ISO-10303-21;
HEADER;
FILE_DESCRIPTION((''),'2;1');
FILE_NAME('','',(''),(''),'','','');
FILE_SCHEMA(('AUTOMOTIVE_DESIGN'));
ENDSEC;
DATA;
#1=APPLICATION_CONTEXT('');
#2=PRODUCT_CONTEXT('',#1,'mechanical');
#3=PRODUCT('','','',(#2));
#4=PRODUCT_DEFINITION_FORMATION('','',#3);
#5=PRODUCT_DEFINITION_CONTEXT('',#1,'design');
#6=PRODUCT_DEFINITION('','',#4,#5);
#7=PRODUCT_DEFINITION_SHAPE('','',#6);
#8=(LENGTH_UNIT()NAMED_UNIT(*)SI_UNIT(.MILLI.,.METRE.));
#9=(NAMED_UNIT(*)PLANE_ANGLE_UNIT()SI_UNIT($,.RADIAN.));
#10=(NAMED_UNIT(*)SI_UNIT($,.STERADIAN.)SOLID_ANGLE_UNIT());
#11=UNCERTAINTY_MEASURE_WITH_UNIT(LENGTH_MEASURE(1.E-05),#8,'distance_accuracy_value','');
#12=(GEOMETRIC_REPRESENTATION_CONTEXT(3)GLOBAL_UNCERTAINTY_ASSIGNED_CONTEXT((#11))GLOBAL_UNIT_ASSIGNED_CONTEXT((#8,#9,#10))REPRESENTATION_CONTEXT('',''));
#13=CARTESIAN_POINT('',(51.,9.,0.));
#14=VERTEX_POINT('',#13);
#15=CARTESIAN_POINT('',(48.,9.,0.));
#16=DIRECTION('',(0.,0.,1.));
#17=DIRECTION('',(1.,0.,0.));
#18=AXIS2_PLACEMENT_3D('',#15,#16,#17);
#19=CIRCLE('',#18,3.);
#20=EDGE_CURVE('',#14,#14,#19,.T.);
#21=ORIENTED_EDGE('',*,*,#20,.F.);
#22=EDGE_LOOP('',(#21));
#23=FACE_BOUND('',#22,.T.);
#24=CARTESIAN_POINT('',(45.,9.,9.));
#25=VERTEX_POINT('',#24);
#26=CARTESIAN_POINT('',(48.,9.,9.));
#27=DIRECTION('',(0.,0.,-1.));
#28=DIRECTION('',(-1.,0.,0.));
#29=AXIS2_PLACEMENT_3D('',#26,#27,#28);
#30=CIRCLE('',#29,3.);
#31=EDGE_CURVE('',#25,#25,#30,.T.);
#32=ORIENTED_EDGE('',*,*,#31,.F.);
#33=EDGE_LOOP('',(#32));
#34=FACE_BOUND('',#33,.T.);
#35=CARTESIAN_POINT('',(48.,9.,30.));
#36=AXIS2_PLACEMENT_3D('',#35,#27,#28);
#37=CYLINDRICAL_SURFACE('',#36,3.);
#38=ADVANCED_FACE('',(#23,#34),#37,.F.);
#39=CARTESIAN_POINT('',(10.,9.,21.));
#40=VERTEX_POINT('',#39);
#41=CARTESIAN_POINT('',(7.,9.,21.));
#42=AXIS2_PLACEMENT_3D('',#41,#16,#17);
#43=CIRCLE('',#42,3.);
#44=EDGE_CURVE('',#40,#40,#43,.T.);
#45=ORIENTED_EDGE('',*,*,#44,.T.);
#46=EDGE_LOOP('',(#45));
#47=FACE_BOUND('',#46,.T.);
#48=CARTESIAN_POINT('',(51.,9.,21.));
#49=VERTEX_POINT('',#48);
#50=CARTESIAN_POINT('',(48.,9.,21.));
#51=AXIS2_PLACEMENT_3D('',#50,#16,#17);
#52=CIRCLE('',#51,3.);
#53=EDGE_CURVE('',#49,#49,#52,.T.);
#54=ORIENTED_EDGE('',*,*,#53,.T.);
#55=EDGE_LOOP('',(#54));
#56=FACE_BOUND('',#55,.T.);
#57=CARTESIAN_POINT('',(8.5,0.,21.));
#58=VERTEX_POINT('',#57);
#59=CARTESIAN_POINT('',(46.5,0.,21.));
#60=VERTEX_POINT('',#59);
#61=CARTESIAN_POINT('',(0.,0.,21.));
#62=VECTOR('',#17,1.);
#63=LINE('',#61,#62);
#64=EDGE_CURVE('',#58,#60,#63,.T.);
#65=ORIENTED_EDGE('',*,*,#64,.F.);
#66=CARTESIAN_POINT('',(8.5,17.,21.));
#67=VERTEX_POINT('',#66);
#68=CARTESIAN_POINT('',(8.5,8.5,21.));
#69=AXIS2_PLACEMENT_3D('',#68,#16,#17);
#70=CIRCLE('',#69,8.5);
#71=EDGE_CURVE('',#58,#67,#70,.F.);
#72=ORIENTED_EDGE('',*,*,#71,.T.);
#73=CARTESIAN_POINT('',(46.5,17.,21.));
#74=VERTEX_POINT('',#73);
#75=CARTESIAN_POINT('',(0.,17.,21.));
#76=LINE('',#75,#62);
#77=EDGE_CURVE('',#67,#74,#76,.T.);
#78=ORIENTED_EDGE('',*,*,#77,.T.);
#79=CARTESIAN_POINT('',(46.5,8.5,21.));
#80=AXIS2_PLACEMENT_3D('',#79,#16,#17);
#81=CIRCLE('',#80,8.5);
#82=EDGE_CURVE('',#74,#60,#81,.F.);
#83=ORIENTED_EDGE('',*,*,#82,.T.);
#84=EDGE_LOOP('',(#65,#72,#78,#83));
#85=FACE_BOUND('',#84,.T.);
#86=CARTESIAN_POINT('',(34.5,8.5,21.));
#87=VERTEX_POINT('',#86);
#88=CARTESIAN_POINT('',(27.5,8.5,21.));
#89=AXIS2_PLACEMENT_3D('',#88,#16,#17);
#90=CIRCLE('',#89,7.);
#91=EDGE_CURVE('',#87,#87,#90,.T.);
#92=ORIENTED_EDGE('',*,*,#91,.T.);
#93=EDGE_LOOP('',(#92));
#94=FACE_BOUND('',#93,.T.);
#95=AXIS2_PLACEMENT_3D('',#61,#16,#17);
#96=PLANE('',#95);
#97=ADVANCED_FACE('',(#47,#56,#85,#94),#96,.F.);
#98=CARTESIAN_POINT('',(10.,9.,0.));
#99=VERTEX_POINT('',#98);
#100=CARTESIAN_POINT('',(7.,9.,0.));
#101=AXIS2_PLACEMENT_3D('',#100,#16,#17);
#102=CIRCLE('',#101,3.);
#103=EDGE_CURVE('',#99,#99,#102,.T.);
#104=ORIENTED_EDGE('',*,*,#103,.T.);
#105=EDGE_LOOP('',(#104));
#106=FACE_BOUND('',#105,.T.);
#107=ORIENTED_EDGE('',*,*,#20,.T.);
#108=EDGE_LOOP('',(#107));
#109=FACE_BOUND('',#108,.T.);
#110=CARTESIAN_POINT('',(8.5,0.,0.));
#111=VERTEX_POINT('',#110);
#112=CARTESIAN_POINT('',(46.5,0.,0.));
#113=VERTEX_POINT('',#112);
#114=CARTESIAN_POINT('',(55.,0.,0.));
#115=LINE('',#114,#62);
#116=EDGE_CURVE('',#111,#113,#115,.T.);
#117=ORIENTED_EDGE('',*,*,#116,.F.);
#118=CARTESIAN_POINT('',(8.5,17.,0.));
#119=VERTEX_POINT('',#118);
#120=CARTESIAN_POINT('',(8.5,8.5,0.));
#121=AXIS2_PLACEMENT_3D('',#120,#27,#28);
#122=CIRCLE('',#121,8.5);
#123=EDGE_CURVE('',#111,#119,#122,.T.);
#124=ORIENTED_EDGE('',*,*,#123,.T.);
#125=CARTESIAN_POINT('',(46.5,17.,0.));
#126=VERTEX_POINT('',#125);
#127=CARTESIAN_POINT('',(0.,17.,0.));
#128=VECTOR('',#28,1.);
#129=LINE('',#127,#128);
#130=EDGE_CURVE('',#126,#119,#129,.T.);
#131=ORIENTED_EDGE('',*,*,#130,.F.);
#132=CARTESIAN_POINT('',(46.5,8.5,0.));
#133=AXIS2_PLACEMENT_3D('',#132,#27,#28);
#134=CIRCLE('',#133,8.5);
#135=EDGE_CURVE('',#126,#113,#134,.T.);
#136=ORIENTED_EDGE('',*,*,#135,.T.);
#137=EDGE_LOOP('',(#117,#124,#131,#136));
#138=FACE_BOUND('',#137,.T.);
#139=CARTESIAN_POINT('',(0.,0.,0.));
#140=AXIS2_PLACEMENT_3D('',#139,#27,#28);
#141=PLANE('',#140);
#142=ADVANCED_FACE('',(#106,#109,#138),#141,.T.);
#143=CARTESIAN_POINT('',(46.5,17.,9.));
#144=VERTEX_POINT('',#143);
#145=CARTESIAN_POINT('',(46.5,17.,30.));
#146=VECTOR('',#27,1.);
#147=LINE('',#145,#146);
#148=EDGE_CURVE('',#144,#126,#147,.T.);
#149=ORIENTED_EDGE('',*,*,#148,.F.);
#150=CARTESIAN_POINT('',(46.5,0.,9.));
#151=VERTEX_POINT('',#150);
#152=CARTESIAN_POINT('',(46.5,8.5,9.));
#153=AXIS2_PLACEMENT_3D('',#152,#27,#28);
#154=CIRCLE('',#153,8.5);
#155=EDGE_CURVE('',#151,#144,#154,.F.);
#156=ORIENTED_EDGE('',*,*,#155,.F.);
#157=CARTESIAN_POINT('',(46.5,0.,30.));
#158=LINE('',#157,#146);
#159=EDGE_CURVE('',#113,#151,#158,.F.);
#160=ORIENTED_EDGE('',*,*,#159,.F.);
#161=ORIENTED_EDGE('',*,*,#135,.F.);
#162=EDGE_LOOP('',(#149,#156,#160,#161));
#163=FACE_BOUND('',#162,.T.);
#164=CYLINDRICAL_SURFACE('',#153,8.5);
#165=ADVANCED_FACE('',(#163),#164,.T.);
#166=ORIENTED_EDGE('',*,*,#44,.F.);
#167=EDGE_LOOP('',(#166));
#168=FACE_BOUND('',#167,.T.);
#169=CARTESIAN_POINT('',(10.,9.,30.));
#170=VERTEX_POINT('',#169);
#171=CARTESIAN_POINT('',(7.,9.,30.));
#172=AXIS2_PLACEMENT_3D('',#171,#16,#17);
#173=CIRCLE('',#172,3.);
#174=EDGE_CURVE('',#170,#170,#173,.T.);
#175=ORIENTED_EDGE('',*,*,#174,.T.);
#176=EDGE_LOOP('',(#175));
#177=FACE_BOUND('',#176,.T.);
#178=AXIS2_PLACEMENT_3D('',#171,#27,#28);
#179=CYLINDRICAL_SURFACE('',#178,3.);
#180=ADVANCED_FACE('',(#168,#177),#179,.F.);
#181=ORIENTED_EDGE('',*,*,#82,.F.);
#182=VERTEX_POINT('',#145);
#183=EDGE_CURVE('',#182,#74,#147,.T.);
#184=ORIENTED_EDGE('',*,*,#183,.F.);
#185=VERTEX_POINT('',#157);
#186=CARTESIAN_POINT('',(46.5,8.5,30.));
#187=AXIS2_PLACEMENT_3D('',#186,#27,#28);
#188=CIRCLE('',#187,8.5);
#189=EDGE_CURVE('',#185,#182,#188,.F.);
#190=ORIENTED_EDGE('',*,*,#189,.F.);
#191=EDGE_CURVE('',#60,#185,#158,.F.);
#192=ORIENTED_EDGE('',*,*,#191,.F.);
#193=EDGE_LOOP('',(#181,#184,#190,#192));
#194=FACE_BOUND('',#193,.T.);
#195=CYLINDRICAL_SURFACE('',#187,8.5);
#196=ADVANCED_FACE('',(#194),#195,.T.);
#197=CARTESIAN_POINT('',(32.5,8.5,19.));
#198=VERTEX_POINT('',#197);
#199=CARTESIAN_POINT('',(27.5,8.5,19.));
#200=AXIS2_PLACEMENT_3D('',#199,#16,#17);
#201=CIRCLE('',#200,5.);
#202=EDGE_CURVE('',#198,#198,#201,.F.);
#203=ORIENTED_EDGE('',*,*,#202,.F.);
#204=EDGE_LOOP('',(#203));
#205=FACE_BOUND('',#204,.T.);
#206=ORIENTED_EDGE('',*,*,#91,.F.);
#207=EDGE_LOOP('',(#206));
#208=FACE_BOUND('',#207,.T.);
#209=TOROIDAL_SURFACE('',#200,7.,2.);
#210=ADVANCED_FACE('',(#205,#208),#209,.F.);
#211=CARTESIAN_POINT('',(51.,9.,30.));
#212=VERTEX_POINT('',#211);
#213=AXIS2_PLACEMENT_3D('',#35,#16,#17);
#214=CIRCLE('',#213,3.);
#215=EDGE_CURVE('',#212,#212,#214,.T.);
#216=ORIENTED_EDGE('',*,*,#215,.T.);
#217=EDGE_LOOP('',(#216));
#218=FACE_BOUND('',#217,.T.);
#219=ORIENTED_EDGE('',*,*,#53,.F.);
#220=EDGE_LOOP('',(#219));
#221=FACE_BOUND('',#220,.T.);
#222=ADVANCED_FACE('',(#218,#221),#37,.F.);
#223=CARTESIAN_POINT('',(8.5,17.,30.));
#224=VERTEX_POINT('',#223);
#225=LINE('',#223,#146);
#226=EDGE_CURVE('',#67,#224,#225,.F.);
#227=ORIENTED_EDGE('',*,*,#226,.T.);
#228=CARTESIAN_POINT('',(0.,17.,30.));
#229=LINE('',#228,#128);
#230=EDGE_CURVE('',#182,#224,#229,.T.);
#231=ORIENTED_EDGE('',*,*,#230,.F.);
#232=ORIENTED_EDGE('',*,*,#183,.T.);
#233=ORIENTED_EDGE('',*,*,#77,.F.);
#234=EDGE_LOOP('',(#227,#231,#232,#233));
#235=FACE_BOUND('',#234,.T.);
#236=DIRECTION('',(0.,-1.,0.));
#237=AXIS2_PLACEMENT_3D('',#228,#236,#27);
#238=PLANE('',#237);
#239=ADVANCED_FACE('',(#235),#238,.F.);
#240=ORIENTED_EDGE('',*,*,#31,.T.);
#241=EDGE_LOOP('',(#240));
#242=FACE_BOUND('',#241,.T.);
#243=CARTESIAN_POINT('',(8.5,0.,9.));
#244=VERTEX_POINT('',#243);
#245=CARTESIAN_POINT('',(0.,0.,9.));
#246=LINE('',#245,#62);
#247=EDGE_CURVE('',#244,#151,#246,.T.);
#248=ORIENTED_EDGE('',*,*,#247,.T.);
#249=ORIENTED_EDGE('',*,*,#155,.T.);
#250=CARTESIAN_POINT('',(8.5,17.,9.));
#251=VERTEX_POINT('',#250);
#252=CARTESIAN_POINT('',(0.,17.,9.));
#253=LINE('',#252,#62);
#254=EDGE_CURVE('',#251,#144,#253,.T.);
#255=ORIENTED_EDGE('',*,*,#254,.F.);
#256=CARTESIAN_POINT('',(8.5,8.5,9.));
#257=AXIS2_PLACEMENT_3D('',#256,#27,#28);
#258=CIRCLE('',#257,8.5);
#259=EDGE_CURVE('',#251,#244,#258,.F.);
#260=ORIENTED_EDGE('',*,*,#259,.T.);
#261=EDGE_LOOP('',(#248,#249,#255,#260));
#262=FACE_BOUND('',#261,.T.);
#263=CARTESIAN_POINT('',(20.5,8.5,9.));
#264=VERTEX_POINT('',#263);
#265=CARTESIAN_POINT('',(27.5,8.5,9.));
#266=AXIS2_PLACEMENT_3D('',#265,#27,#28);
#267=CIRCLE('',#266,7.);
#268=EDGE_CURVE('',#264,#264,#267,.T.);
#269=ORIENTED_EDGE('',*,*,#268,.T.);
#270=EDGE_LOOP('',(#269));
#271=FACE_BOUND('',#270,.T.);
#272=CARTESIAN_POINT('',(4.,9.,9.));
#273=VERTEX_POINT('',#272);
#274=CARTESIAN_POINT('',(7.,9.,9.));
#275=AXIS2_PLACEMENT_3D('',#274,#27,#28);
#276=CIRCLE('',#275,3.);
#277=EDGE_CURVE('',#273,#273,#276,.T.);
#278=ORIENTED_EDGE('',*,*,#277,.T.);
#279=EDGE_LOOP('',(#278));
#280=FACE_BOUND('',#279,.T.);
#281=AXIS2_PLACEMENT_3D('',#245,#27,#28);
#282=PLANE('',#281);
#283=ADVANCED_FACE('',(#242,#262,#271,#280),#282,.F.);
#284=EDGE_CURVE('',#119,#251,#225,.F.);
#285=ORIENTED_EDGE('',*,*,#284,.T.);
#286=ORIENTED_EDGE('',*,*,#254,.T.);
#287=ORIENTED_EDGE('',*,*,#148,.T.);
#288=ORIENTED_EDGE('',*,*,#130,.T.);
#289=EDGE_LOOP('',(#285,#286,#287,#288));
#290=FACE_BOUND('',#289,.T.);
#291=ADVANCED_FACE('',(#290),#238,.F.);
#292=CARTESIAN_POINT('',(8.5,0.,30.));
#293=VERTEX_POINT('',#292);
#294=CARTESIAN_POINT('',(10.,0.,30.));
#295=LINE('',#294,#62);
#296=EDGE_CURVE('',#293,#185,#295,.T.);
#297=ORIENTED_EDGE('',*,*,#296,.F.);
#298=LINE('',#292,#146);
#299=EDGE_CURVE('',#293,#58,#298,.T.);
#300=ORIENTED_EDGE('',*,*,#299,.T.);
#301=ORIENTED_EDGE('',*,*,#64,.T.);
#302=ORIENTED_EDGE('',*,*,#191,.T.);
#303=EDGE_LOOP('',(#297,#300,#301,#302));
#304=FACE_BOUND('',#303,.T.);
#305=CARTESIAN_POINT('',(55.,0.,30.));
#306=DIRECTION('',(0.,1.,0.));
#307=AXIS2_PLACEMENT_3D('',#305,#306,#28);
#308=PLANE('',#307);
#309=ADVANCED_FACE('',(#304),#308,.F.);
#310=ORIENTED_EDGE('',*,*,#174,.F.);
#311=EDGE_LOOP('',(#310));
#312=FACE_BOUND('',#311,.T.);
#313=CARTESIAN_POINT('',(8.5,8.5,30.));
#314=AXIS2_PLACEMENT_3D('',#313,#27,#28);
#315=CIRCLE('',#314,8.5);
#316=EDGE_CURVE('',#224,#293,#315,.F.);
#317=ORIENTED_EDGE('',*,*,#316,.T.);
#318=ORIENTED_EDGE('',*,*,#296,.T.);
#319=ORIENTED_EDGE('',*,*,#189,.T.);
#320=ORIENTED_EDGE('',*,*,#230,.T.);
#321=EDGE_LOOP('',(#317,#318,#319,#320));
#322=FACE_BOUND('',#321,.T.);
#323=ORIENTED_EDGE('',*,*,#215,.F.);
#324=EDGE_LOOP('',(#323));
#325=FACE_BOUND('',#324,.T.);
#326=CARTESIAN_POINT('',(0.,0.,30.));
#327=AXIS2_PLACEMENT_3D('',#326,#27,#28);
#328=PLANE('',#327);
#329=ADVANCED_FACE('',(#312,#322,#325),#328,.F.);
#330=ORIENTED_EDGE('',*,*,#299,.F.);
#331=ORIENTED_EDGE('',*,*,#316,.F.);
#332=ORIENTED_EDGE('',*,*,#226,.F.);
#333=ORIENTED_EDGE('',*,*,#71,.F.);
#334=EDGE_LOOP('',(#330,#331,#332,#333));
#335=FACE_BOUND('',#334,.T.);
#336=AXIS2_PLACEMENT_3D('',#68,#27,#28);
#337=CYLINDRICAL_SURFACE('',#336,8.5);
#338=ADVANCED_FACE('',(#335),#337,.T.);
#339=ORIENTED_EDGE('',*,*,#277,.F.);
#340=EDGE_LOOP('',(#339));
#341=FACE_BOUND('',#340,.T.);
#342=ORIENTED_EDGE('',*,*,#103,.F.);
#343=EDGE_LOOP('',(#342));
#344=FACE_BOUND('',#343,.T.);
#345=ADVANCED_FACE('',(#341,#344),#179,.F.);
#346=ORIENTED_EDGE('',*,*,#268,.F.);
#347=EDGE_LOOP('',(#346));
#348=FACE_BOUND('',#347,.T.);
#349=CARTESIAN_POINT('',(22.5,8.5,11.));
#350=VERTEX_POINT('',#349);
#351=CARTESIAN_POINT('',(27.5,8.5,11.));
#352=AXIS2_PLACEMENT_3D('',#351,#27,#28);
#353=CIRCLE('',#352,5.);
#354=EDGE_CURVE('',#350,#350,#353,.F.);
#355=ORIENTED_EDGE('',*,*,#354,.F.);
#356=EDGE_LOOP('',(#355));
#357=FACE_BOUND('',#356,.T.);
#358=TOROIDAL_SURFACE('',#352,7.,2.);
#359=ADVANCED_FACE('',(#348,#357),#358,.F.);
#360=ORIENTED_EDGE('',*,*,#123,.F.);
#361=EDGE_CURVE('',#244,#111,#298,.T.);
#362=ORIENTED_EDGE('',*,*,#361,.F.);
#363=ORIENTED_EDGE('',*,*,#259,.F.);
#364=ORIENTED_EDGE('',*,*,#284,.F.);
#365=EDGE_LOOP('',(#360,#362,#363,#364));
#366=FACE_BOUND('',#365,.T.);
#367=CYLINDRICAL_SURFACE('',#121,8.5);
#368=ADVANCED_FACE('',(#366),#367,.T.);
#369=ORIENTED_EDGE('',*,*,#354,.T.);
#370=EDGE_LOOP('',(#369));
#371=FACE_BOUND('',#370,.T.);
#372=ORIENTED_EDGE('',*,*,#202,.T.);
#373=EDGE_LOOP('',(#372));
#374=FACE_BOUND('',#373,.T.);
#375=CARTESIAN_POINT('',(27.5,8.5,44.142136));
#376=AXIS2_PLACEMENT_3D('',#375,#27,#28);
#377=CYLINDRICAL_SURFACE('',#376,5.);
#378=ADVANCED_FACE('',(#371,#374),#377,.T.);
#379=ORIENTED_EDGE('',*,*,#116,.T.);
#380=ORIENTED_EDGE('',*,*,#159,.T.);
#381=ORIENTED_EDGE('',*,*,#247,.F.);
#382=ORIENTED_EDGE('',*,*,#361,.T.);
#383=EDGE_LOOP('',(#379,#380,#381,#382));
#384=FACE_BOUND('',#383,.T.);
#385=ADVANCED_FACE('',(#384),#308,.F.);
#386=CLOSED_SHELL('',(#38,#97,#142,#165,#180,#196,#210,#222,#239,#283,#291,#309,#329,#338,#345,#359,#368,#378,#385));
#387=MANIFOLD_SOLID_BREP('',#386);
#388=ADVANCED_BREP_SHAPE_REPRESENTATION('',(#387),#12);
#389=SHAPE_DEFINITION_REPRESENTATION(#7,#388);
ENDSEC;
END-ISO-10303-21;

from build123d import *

# Parameters (mm, degrees)
SZKIC1_R                    = 3
DODANIE_WYCI_GNI_CIE1_DEPTH = 30
SZKIC2_W                    = 12
SZKIC2_H                    = 17
WYTNIJ_WYCI_GNI_CIE1_DEPTH  = 65.915329468
SZKIC3_R                    = 5
DODANIE_WYCI_GNI_CIE2_DEPTH = 30
ZAOKR_GLENIE3_R             = 2
ZAOKR_GLENIE6_RADIUS        = 8.5
ZAOKR_GLENIE6_LENGTH        = 9
ZAOKR_GLENIE7_RADIUS        = 8.5
ZAOKR_GLENIE7_LENGTH        = 9
ZAOKR_GLENIE8_RADIUS        = 8.5
ZAOKR_GLENIE8_LENGTH        = 9
ZAOKR_GLENIE9_RADIUS        = 8.5
ZAOKR_GLENIE9_LENGTH        = 9


with BuildPart() as part:
    # Szkic1 → Dodanie-wyciągnięcie1 (new body)
    with BuildSketch(Plane.XY):
        Polygon((0, 0), (0, 17), (55, 17), (55, 0), (10, 0), align=None)
        with Locations((48, 9)):
            Circle(SZKIC1_R, mode=Mode.SUBTRACT)
        with Locations((7, 9)):
            Circle(SZKIC1_R, mode=Mode.SUBTRACT)
    extrude(amount=DODANIE_WYCI_GNI_CIE1_DEPTH)

    # Szkic2 → Wytnij-wyciągnięcie1 (cut, through all)
    with BuildSketch(Plane(origin=(55, 0, 0), x_dir=(0, 0, -1), z_dir=(1, 0, 0))):
        with Locations((-15, 8.5)):
            Rectangle(SZKIC2_W, SZKIC2_H)
    extrude(amount=-WYTNIJ_WYCI_GNI_CIE1_DEPTH, mode=Mode.SUBTRACT)


with BuildPart() as wytnij_wyci_gni_cie1_piece_1:
    # of the separate pieces the step leaves, piece 1, a body of its own (wytnij_wyci_gni_cie1_pieces)
    add(part.part.solids().sort_by_distance((0, 0, 21))[0])



with BuildPart() as wytnij_wyci_gni_cie1_piece_2:
    # of the separate pieces the step leaves, piece 2, a body of its own (wytnij_wyci_gni_cie1_pieces)
    add(part.part.solids().sort_by_distance((0, 0, 0))[0])


with BuildPart() as wytnij_wyci_gni_cie1_piece_1_1:
    add(wytnij_wyci_gni_cie1_piece_1.part)

    add(wytnij_wyci_gni_cie1_piece_2.part)  # Dodanie-wyciągnięcie2 merges Wytnij-wyciągnięcie1 piece 2
    # Szkic3 → Dodanie-wyciągnięcie2 (add)
    with BuildSketch(Plane(origin=(0, 0, 0), x_dir=(-1, 0, 0), z_dir=(0, 0, -1))):
        with Locations((-27.5, 8.5)):
            Circle(SZKIC3_R)
    extrude(amount=-DODANIE_WYCI_GNI_CIE2_DEPTH)

    # Zaokrąglenie3
    zaokr_glenie3_edges = [wytnij_wyci_gni_cie1_piece_1_1.edges().sort_by_distance(p)[0] for p in [
        (32.5, 8.5, 9),
        (32.5, 8.5, 21),
    ]]
    fillet(zaokr_glenie3_edges, radius=ZAOKR_GLENIE3_R)

    # Zaokrąglenie6: full round fillet: the end face becomes a half cylinder, R = half its width
    zaokr_glenie6_face = Plane((55, 8.5, 4.5), x_dir=(0, 0, 1), z_dir=(1, 0, 0))  # on the end face: x along it, z out of the body
    zaokr_glenie6_slab = zaokr_glenie6_face.offset(-ZAOKR_GLENIE6_RADIUS / 2) * Box(ZAOKR_GLENIE6_LENGTH, 2 * ZAOKR_GLENIE6_RADIUS, ZAOKR_GLENIE6_RADIUS, mode=Mode.PRIVATE)  # the body's end, R deep
    zaokr_glenie6_round = Plane((46.5, 8.5, 4.5), x_dir=(1, 0, 0), z_dir=(0, 0, 1)) * Cylinder(ZAOKR_GLENIE6_RADIUS, ZAOKR_GLENIE6_LENGTH, mode=Mode.PRIVATE)  # its axis R under the face
    add(zaokr_glenie6_slab - zaokr_glenie6_round, mode=Mode.SUBTRACT)

    # Zaokrąglenie7: full round fillet: the end face becomes a half cylinder, R = half its width
    zaokr_glenie7_face = Plane((55, 8.5, 25.5), x_dir=(0, 0, 1), z_dir=(1, 0, 0))  # on the end face: x along it, z out of the body
    zaokr_glenie7_slab = zaokr_glenie7_face.offset(-ZAOKR_GLENIE7_RADIUS / 2) * Box(ZAOKR_GLENIE7_LENGTH, 2 * ZAOKR_GLENIE7_RADIUS, ZAOKR_GLENIE7_RADIUS, mode=Mode.PRIVATE)  # the body's end, R deep
    zaokr_glenie7_round = Plane((46.5, 8.5, 25.5), x_dir=(1, 0, 0), z_dir=(0, 0, 1)) * Cylinder(ZAOKR_GLENIE7_RADIUS, ZAOKR_GLENIE7_LENGTH, mode=Mode.PRIVATE)  # its axis R under the face
    add(zaokr_glenie7_slab - zaokr_glenie7_round, mode=Mode.SUBTRACT)

    # Zaokrąglenie8: full round fillet: the end face becomes a half cylinder, R = half its width
    zaokr_glenie8_face = Plane((0, 8.5, 4.5), x_dir=(0, 0, 1), z_dir=(-1, 0, 0))  # on the end face: x along it, z out of the body
    zaokr_glenie8_slab = zaokr_glenie8_face.offset(-ZAOKR_GLENIE8_RADIUS / 2) * Box(ZAOKR_GLENIE8_LENGTH, 2 * ZAOKR_GLENIE8_RADIUS, ZAOKR_GLENIE8_RADIUS, mode=Mode.PRIVATE)  # the body's end, R deep
    zaokr_glenie8_round = Plane((8.5, 8.5, 4.5), x_dir=(-1, 0, 0), z_dir=(0, 0, 1)) * Cylinder(ZAOKR_GLENIE8_RADIUS, ZAOKR_GLENIE8_LENGTH, mode=Mode.PRIVATE)  # its axis R under the face
    add(zaokr_glenie8_slab - zaokr_glenie8_round, mode=Mode.SUBTRACT)

    # Zaokrąglenie9: full round fillet: the end face becomes a half cylinder, R = half its width
    zaokr_glenie9_face = Plane((0, 8.5, 25.5), x_dir=(0, 0, -1), z_dir=(-1, 0, 0))  # on the end face: x along it, z out of the body
    zaokr_glenie9_slab = zaokr_glenie9_face.offset(-ZAOKR_GLENIE9_RADIUS / 2) * Box(ZAOKR_GLENIE9_LENGTH, 2 * ZAOKR_GLENIE9_RADIUS, ZAOKR_GLENIE9_RADIUS, mode=Mode.PRIVATE)  # the body's end, R deep
    zaokr_glenie9_round = Plane((8.5, 8.5, 25.5), x_dir=(-1, 0, 0), z_dir=(0, 0, -1)) * Cylinder(ZAOKR_GLENIE9_RADIUS, ZAOKR_GLENIE9_LENGTH, mode=Mode.PRIVATE)  # its axis R under the face
    add(zaokr_glenie9_slab - zaokr_glenie9_round, mode=Mode.SUBTRACT)


solid = wytnij_wyci_gni_cie1_piece_1_1.part
